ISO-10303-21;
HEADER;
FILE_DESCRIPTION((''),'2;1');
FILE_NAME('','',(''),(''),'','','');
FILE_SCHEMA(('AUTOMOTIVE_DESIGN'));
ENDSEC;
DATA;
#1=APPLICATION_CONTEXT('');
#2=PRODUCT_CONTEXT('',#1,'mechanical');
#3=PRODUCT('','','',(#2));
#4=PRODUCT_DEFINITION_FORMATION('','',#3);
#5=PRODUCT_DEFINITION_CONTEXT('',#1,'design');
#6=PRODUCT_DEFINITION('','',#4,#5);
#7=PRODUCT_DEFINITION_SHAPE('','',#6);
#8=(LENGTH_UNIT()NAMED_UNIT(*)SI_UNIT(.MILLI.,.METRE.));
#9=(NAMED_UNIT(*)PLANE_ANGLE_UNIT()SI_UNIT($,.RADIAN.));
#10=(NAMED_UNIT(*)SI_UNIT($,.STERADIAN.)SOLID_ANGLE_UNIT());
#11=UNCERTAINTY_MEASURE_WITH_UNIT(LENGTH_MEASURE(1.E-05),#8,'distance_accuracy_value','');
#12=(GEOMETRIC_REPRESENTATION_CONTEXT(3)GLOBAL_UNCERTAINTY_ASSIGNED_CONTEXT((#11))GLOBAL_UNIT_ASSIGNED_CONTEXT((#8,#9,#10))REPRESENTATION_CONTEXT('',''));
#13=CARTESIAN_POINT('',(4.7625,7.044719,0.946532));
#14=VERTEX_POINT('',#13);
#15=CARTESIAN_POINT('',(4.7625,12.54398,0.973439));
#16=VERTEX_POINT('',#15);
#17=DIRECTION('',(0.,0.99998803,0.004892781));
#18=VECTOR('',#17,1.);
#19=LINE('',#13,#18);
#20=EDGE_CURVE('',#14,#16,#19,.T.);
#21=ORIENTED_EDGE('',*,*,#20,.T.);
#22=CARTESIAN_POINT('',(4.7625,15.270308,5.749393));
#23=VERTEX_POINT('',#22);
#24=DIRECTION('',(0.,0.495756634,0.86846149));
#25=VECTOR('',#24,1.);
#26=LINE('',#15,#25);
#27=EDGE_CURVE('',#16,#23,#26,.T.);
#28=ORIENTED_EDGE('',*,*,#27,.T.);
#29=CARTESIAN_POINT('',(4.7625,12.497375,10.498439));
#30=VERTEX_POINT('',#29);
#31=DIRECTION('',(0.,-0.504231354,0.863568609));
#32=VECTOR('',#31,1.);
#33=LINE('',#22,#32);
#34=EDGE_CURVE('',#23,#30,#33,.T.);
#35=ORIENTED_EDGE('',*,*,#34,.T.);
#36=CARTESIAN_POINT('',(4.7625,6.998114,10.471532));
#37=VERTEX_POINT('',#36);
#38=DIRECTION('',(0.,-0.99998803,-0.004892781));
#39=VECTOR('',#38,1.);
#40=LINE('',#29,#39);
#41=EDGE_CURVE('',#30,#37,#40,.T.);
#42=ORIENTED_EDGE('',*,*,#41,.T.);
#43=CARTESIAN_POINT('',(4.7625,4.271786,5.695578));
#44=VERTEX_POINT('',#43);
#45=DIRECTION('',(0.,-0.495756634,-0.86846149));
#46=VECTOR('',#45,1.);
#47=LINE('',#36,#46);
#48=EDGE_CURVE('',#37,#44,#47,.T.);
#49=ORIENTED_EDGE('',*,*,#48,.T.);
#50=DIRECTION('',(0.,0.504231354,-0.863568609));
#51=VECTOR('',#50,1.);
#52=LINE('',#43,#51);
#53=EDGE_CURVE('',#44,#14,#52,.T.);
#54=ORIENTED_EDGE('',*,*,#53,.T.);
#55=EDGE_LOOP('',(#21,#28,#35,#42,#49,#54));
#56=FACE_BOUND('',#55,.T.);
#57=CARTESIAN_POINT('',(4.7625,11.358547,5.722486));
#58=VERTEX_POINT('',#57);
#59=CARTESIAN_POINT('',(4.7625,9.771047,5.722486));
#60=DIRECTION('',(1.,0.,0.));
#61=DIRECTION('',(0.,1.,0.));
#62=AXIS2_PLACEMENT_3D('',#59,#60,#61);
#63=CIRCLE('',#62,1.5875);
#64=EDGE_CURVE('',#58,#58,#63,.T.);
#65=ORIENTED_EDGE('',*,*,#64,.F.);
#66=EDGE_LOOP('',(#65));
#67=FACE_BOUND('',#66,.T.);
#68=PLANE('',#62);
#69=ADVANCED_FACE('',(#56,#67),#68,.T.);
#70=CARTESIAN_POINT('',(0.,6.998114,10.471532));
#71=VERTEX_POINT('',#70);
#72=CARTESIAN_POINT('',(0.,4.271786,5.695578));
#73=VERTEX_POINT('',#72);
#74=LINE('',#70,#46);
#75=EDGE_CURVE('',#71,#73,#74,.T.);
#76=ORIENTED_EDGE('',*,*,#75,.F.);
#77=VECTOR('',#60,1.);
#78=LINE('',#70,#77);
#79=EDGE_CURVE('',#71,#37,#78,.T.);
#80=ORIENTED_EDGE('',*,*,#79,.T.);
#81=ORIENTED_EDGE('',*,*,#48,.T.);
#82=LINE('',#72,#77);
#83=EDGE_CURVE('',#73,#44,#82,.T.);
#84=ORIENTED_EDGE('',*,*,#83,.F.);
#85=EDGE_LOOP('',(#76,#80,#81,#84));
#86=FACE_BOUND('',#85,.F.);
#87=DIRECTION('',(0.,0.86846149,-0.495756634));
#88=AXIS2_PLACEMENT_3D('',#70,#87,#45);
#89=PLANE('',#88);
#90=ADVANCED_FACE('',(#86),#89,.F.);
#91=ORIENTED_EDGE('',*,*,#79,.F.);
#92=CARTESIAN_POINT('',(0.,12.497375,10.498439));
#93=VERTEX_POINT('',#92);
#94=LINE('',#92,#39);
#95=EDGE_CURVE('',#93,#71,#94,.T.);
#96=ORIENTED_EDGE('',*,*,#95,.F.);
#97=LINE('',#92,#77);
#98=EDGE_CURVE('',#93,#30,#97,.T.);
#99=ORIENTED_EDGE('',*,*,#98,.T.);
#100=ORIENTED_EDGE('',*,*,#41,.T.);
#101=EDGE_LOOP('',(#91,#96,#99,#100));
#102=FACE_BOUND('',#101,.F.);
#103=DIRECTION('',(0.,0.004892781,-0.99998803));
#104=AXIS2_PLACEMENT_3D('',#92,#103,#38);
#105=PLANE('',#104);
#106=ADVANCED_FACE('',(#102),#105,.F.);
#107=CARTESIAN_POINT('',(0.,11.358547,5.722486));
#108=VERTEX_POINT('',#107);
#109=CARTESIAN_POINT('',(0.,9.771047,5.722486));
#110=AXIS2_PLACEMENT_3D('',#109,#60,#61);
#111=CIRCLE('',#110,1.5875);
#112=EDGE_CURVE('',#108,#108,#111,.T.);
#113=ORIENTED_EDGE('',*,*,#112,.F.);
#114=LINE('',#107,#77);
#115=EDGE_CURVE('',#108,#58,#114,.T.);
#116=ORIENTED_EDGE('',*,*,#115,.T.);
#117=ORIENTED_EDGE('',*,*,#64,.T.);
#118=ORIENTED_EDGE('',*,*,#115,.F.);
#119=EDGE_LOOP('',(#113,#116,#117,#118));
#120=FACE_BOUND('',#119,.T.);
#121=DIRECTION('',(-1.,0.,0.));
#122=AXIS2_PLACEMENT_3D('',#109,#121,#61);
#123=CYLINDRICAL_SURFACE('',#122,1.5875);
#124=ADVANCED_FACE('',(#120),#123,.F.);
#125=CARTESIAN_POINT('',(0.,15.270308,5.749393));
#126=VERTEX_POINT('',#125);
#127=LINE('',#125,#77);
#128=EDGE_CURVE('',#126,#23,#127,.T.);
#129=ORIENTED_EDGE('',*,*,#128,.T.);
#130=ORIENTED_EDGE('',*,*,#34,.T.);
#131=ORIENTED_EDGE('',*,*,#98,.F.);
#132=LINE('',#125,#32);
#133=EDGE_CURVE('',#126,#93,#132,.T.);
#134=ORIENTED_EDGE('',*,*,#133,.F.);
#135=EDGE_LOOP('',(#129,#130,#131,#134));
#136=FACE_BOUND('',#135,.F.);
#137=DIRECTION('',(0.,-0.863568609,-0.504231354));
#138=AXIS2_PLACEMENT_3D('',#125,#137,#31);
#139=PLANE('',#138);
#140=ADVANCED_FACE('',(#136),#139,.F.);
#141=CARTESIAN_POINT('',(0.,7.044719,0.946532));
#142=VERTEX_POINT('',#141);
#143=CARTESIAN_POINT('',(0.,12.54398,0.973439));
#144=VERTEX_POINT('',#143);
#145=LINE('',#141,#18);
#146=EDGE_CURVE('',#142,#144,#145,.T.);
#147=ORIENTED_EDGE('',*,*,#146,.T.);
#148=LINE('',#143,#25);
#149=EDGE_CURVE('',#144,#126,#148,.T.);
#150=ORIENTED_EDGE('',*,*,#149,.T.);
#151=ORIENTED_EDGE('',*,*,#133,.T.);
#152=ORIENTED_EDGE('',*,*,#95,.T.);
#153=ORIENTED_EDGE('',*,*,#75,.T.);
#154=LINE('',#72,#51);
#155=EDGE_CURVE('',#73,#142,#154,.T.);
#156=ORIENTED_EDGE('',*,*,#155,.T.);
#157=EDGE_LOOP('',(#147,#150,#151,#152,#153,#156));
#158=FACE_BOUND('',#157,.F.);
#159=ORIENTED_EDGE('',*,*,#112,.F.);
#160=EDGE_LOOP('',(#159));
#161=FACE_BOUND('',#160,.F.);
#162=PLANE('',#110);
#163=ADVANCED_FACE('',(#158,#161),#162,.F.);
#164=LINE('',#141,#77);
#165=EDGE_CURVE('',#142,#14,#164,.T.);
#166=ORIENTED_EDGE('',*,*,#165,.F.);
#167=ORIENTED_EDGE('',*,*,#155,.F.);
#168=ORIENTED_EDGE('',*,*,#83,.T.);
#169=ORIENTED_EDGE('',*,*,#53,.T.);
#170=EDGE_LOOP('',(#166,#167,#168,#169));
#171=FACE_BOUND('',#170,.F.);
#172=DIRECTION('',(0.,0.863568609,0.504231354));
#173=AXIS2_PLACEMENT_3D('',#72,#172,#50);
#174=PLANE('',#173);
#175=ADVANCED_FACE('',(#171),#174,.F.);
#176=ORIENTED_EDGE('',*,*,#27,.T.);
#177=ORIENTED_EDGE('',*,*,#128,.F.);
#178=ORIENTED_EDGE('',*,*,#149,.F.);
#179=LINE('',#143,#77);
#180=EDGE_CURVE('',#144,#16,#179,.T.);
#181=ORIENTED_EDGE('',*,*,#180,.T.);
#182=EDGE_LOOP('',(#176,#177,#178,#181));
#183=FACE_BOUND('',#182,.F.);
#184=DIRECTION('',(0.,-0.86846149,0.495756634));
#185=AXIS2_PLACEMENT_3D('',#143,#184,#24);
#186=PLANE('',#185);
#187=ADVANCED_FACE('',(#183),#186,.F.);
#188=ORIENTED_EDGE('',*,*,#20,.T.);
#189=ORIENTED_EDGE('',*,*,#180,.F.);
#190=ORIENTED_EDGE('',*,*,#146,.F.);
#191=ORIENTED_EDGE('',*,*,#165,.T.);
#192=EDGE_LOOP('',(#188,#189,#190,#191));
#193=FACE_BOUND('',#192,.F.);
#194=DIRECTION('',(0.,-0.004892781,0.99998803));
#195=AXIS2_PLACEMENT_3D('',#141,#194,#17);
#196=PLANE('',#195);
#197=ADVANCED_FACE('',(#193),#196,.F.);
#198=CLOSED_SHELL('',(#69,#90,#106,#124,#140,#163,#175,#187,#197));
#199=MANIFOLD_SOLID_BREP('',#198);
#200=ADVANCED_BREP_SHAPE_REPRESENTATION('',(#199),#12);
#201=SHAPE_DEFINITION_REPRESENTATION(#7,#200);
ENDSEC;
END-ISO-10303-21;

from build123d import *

# Parameters (mm, degrees)
F0_R     = 1.5875
F1_DEPTH = 4.7625


with BuildPart() as f1:
    # F0 (on Right) → F1 (new body)
    with BuildSketch(Plane.YZ):
        Polygon((4.271786, 5.695578), (7.044719, 0.946532), (12.54398, 0.973439), (15.270308, 5.749393), (12.497375, 10.498439), (6.998114, 10.471532), align=None)
        with Locations((9.771047, 5.722486)):
            Circle(F0_R, mode=Mode.SUBTRACT)
    extrude(amount=F1_DEPTH)


solid = f1.part
